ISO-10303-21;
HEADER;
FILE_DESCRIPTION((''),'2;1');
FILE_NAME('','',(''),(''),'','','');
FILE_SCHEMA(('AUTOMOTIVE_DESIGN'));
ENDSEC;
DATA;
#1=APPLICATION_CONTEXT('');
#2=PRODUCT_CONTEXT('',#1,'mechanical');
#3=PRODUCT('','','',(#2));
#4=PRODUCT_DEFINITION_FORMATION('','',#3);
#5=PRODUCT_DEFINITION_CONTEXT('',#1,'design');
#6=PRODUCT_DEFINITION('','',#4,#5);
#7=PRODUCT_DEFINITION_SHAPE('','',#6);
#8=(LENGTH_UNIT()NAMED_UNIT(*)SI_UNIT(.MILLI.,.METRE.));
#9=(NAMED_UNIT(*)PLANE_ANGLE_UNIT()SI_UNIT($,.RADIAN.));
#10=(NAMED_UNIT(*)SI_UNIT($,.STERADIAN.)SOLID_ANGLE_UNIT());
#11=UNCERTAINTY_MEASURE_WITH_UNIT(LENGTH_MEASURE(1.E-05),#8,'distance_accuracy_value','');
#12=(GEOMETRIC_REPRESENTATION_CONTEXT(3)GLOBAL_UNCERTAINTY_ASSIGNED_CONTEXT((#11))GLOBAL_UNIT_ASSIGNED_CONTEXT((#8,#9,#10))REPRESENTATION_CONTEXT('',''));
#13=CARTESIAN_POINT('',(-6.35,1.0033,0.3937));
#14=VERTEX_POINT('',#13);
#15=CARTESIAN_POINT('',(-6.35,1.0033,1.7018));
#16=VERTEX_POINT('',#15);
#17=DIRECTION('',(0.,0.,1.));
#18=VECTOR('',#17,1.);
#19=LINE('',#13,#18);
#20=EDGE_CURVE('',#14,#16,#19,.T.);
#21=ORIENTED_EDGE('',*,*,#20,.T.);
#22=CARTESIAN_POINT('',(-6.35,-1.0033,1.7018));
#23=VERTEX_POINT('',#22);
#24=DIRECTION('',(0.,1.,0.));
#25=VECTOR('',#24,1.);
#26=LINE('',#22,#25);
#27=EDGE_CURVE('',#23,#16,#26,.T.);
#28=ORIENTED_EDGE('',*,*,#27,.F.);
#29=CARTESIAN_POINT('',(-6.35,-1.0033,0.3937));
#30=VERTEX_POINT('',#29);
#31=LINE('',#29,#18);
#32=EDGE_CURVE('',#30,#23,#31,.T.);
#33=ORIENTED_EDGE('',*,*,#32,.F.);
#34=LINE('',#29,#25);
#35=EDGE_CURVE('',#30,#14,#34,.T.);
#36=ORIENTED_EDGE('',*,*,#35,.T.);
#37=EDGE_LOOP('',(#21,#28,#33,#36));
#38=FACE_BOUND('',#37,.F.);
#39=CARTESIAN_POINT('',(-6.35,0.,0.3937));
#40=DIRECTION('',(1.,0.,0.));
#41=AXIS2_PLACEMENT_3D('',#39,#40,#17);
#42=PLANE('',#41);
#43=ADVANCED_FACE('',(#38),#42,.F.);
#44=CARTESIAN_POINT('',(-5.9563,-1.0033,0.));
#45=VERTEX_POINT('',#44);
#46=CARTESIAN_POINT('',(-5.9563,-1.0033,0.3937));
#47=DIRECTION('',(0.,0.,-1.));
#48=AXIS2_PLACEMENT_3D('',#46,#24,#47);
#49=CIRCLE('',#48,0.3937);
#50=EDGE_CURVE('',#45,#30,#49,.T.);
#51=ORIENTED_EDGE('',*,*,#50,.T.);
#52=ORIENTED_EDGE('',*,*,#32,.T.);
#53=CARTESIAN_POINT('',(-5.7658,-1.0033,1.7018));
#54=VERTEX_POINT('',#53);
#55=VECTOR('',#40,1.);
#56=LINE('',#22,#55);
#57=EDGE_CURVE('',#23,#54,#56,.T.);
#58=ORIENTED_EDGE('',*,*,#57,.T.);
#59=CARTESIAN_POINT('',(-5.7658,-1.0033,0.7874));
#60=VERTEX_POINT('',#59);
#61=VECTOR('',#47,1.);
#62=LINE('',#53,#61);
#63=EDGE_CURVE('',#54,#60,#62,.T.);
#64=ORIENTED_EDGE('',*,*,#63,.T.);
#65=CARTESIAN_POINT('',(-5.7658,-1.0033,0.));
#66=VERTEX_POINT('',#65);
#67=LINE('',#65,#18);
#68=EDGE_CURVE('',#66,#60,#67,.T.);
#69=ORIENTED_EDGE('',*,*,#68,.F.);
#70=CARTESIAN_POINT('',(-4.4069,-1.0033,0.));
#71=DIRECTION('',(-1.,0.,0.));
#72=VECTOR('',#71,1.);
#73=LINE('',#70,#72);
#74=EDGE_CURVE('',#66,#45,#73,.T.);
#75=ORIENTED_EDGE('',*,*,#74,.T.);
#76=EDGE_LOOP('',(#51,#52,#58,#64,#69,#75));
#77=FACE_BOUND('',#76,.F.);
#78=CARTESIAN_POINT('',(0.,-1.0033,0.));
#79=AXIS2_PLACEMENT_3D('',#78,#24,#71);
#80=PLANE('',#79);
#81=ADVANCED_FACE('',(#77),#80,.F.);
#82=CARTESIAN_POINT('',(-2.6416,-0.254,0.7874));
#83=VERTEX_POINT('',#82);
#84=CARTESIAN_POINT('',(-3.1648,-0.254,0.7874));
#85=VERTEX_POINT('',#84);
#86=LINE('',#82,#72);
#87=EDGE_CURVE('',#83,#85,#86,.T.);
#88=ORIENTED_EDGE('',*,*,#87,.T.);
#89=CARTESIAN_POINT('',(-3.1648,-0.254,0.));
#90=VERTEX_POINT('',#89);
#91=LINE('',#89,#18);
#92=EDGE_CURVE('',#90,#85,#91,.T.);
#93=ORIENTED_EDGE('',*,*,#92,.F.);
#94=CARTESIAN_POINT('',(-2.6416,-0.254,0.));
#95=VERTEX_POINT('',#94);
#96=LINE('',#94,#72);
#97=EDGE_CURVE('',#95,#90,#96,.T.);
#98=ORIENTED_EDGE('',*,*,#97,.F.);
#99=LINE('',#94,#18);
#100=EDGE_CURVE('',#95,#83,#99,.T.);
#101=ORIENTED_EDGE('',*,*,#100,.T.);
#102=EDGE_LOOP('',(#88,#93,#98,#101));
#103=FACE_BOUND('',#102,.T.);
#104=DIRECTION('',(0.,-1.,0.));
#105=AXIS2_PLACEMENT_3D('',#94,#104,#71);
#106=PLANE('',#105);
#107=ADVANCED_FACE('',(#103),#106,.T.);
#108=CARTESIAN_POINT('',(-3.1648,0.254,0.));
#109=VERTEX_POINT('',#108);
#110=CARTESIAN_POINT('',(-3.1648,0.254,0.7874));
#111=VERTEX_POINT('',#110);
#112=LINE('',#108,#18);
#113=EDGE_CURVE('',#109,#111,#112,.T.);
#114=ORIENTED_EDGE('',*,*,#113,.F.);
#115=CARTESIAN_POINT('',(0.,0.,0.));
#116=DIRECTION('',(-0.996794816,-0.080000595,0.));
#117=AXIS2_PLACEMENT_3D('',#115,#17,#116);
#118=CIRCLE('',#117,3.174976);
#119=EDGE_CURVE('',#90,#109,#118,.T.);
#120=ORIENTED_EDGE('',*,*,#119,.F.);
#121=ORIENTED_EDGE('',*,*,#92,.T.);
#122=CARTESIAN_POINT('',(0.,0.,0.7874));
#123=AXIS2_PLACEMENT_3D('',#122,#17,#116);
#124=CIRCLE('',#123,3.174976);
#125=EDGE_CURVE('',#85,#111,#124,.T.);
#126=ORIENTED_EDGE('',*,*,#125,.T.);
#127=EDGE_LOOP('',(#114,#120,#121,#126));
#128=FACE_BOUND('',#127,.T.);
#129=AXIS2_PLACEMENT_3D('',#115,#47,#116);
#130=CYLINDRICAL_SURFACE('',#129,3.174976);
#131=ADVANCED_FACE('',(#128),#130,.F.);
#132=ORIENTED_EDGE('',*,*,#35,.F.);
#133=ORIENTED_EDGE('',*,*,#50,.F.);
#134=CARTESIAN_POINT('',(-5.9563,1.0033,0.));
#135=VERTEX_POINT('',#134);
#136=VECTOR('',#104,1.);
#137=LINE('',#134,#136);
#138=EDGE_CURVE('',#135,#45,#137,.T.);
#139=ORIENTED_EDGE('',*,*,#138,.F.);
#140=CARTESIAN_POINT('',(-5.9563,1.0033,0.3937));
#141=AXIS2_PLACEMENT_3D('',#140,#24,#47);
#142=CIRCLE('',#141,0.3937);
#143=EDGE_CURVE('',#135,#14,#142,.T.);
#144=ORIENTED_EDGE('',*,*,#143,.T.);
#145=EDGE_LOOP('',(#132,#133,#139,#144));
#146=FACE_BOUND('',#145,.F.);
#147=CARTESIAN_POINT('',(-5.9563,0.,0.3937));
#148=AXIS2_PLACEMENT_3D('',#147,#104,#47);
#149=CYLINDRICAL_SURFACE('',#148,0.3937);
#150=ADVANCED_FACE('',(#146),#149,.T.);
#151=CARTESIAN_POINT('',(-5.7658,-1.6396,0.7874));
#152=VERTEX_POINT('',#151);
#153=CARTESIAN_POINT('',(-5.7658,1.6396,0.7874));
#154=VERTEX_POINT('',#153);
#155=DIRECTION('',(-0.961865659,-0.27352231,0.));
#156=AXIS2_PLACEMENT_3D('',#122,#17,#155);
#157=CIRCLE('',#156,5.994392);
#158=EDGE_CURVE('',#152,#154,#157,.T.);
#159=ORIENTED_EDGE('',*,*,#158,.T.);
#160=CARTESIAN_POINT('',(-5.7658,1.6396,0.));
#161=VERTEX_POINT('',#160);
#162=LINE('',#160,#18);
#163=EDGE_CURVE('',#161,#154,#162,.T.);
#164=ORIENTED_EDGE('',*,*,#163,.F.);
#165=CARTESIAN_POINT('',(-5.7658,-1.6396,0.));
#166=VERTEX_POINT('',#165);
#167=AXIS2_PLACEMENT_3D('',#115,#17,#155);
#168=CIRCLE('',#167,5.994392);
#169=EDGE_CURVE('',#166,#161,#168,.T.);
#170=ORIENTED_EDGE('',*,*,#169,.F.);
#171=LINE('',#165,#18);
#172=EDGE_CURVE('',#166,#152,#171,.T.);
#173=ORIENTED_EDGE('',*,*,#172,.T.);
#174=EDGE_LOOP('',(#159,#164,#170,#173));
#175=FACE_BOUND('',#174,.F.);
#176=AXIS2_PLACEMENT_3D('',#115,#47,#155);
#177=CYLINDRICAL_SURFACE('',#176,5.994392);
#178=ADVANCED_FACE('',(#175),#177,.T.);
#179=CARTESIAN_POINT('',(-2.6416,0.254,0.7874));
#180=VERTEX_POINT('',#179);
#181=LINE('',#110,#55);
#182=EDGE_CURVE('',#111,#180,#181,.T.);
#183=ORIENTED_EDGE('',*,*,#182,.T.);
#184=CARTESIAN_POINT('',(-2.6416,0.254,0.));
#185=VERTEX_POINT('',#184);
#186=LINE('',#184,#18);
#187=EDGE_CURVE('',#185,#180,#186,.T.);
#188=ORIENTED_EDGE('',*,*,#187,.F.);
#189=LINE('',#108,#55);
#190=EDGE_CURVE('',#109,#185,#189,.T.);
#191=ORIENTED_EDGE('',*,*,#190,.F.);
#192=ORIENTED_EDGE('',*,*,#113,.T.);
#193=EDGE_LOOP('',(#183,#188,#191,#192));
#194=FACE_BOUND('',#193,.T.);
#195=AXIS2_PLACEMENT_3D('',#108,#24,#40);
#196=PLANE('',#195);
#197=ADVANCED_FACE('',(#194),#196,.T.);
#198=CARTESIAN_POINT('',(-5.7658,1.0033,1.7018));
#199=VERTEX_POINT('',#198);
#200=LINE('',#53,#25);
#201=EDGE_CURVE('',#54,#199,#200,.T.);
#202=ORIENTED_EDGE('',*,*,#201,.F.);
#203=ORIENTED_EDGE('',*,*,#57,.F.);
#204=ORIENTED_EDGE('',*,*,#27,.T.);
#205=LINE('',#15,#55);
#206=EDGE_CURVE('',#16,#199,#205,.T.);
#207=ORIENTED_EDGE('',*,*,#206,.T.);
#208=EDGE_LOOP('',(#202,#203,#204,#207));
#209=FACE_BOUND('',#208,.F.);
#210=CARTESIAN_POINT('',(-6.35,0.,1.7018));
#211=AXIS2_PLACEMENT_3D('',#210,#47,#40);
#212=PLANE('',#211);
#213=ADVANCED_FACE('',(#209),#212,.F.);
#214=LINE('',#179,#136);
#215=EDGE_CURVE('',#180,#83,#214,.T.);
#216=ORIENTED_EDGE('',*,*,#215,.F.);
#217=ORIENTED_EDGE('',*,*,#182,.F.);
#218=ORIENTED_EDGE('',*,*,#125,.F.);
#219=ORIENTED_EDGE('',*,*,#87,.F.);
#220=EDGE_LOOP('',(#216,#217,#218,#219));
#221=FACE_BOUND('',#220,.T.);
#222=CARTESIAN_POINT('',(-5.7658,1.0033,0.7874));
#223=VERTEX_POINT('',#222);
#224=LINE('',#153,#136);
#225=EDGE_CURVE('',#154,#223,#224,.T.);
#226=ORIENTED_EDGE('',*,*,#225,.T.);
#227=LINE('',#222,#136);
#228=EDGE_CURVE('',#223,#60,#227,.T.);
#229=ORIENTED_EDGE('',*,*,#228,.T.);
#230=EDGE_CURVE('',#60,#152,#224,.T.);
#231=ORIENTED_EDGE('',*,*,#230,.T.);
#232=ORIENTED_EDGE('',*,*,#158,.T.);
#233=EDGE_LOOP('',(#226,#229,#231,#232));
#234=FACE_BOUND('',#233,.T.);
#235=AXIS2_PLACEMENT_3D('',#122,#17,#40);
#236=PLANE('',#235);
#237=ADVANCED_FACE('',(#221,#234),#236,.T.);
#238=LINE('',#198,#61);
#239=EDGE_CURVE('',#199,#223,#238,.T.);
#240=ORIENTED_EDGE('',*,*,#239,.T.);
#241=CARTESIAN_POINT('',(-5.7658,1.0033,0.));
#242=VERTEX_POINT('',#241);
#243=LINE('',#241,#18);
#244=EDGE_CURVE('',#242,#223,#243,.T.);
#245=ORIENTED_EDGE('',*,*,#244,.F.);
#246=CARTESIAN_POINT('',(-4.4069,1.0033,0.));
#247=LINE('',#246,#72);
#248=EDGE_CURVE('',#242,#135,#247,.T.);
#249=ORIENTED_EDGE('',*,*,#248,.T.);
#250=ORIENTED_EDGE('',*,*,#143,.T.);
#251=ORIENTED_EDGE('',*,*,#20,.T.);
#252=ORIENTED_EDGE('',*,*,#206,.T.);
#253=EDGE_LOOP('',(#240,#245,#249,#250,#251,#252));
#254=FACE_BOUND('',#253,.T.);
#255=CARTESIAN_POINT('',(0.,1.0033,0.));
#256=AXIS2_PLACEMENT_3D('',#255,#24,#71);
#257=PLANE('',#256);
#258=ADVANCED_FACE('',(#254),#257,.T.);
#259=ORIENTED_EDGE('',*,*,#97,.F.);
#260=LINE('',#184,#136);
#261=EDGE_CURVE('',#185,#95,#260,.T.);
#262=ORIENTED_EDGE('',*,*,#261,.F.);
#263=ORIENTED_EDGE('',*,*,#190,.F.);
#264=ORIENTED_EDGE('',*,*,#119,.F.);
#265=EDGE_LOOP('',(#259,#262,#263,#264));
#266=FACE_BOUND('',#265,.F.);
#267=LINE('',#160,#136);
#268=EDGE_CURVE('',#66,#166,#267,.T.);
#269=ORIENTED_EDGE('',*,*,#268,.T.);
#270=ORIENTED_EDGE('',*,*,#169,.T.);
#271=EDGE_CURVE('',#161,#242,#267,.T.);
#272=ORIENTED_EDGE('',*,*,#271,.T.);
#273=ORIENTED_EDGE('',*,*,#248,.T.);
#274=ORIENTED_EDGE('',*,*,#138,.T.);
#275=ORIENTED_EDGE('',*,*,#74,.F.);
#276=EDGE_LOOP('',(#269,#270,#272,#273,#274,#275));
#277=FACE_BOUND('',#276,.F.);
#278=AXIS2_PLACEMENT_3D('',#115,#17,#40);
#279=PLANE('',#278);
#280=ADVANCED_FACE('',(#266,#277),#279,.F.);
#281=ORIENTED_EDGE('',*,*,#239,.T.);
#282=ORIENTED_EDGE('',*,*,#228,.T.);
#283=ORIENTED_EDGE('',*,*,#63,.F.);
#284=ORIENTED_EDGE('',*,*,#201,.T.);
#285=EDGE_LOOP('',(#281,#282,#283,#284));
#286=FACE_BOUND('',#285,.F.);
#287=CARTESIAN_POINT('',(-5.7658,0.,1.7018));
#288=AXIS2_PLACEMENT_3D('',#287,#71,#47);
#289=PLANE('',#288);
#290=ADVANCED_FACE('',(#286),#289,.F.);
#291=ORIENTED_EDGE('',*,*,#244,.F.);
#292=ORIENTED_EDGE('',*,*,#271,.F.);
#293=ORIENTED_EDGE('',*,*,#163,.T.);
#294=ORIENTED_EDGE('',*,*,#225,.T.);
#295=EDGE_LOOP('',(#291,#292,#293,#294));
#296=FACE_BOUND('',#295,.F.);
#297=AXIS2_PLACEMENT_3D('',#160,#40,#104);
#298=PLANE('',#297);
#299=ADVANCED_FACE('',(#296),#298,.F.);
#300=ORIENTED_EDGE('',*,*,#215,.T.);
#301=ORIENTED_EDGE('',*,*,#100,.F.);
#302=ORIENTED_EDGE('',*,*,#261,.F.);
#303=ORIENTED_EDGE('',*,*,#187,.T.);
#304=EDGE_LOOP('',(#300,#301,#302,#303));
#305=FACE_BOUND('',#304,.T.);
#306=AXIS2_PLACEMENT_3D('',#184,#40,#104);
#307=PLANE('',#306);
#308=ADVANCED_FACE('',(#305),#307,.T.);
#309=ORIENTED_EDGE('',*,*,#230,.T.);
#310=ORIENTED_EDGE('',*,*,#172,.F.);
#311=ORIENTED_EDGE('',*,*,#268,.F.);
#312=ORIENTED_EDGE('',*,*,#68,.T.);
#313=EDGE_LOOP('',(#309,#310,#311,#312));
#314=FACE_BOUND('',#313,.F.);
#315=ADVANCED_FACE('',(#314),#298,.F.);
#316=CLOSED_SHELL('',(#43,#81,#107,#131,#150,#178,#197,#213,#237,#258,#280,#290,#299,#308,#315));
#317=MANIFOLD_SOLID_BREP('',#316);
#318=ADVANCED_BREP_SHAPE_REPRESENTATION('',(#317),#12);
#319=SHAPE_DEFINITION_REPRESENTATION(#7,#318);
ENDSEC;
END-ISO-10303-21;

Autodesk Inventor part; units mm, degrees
sketch "Sketch_4" plane through (0, 0, 0) normal (0, 0, 1) x (1, 0, 0)
  line L0 (-5.7658, 1.6396) -> (-5.7658, -1.6396)
  arc A0 (-5.7658, -1.6396) -> (-5.7658, 1.6396) centre (0, 0) ccw
  arc A1 (-3.1648, -0.254) -> (-3.1648, 0.254) centre (0, 0) ccw
  line L1 (-3.1648, 0.254) -> (-2.6416, 0.254)
  line L2 (-2.6416, 0.254) -> (-2.6416, -0.254)
  line L3 (-2.6416, -0.254) -> (-3.1648, -0.254)
extrude "Extrusion1" add sketch "Sketch_4" along normal blind 0.7874
sketch "Sketch_2" plane through (0, 0, 0) normal (0, 1, 0) x (-1, 0, 0)
  line L0 (6.35, 0.3937) -> (6.35, 1.7018)
  line L1 (6.35, 1.7018) -> (5.7658, 1.7018)
  line L2 (5.7658, 1.7018) -> (5.7658, 0.7874)
  line L3 (5.7658, 0.7874) -> (4.4069, 0.7874)
  line L4 (4.4069, 0.7874) -> (4.4069, 0)
  line L5 (4.4069, 0) -> (5.9563, 0)
  arc A0 (5.9563, 0) -> (6.35, 0.3937) centre (5.9563, 0.3937) ccw
extrude "Extrusion2" add sketch "Sketch_2" along normal mid plane 2.0066
ref_plane "ring_XY" through (0, 0, 0.3937) normal (0, 0, 1) x (1, 0, 0)
ref_plane "ring_YZ" through (0, 0, 0.3937) normal (1, 0, 0) x (0, 1, 0)
ref_plane "ring_ZX" through (0, 0, 0.3937) normal (0, 1, 0) x (0, 0, 1)
properties part number "AT507H"
